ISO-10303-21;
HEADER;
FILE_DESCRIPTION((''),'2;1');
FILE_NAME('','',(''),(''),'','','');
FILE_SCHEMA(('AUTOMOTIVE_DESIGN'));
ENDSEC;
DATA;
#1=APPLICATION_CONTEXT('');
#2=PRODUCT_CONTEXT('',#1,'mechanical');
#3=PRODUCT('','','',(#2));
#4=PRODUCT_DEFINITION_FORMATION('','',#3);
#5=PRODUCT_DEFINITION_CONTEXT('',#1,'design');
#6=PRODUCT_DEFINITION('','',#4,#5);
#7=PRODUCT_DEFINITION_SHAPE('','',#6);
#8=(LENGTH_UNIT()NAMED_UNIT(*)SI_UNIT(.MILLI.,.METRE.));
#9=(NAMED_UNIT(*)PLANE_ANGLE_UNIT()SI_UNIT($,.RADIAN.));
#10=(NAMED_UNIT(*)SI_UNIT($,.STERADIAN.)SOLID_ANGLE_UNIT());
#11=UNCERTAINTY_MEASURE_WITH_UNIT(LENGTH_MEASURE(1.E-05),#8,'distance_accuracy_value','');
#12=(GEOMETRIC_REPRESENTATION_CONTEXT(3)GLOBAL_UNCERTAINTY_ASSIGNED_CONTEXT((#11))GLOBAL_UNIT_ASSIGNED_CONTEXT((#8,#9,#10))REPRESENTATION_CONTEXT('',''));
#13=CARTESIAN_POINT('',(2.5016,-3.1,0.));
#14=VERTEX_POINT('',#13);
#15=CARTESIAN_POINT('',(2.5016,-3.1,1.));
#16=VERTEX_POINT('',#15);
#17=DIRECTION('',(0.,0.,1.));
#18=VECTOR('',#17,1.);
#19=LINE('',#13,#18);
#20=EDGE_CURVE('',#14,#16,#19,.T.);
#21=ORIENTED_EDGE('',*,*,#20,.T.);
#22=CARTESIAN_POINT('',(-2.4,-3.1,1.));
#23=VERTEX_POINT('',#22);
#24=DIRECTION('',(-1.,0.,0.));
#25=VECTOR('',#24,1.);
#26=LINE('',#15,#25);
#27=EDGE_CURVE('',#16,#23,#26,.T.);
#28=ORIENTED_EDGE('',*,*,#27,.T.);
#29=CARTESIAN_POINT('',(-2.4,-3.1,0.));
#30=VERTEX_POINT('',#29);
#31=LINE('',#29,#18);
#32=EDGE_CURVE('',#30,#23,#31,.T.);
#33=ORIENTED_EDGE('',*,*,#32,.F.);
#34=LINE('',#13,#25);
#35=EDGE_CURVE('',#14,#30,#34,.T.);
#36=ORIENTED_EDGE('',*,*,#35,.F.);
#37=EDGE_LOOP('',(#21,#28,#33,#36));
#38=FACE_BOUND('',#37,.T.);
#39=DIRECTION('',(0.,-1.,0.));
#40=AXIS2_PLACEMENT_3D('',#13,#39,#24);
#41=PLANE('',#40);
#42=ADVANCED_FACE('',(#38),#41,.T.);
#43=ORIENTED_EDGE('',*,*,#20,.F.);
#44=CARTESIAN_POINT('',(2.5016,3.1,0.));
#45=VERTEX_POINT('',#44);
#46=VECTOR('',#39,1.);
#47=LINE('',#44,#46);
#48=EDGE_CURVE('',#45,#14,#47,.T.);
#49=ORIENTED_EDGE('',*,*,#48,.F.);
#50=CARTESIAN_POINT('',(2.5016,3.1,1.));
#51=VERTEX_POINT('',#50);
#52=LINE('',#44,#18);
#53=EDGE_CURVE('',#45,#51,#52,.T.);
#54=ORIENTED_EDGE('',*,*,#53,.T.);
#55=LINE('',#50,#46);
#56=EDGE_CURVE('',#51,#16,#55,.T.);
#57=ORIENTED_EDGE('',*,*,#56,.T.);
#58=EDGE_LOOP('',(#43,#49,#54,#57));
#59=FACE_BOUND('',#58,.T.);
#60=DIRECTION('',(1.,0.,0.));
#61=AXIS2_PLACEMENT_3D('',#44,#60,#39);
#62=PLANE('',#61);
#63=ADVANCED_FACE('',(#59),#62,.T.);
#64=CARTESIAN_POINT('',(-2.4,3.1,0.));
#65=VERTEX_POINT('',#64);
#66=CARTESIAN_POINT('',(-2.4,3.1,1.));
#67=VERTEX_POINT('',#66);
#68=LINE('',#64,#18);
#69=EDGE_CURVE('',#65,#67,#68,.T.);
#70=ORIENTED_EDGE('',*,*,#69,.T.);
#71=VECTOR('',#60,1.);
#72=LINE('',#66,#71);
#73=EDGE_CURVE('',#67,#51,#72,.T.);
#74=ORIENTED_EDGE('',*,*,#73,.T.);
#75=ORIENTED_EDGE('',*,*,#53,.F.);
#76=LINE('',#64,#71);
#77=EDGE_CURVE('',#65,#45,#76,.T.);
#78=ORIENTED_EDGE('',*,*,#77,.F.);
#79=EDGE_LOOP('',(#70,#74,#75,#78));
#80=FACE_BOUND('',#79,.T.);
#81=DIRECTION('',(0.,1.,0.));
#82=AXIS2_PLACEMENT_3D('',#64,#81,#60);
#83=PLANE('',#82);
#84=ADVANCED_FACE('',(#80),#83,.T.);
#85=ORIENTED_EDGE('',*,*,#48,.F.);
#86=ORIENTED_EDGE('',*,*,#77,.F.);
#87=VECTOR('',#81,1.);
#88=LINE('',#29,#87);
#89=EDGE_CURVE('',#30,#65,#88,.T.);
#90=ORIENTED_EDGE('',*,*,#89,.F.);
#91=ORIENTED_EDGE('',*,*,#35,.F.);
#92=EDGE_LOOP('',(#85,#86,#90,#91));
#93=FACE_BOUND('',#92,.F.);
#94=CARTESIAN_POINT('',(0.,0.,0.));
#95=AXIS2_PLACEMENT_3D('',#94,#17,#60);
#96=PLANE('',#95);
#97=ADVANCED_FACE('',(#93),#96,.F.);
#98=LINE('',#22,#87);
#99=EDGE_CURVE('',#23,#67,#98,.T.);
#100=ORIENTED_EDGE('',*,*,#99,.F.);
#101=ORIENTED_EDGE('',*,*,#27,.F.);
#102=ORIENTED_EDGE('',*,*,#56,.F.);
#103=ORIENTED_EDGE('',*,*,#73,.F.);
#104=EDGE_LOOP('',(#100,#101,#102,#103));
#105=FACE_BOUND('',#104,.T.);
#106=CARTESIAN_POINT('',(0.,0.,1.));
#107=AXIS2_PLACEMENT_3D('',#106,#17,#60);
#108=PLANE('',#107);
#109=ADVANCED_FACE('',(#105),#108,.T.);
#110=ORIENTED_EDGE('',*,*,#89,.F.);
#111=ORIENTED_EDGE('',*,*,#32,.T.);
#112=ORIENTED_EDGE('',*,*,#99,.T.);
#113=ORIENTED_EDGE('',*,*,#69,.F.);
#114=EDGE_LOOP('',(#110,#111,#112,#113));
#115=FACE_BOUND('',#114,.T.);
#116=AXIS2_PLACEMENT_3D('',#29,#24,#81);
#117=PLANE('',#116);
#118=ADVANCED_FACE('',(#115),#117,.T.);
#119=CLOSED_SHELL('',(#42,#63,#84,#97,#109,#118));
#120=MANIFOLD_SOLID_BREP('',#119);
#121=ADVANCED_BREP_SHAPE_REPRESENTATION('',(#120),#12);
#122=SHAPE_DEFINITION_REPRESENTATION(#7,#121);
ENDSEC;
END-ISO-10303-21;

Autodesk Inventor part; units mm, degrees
ref_plane "YZ Plane" through (0, 0, 0) normal (1, 0, 0) x (0, 1, 0)
ref_plane "XZ Plane" through (0, 0, 0) normal (0, 1, 0) x (-1, 0, 0)
ref_plane "XY Plane" through (0, 0, 0) normal (0, 0, 1) x (1, 0, 0)
sketch "SO08, INA105U_20" plane through (0, 0, 0) normal (0, 0, 1) x (1, 0, 0)
  line L0 (-2.4, 3.1) -> (2.5016, 3.1)
  line L1 (2.5016, 3.1) -> (2.5016, -3.1)
  line L2 (2.5016, -3.1) -> (-2.4, -3.1)
  line L3 (-2.4, -3.1) -> (-2.4, 3.1)
extrude "Extrusion1" add sketch "SO08, INA105U_20" along normal blind 1
properties part number "INA105U"
